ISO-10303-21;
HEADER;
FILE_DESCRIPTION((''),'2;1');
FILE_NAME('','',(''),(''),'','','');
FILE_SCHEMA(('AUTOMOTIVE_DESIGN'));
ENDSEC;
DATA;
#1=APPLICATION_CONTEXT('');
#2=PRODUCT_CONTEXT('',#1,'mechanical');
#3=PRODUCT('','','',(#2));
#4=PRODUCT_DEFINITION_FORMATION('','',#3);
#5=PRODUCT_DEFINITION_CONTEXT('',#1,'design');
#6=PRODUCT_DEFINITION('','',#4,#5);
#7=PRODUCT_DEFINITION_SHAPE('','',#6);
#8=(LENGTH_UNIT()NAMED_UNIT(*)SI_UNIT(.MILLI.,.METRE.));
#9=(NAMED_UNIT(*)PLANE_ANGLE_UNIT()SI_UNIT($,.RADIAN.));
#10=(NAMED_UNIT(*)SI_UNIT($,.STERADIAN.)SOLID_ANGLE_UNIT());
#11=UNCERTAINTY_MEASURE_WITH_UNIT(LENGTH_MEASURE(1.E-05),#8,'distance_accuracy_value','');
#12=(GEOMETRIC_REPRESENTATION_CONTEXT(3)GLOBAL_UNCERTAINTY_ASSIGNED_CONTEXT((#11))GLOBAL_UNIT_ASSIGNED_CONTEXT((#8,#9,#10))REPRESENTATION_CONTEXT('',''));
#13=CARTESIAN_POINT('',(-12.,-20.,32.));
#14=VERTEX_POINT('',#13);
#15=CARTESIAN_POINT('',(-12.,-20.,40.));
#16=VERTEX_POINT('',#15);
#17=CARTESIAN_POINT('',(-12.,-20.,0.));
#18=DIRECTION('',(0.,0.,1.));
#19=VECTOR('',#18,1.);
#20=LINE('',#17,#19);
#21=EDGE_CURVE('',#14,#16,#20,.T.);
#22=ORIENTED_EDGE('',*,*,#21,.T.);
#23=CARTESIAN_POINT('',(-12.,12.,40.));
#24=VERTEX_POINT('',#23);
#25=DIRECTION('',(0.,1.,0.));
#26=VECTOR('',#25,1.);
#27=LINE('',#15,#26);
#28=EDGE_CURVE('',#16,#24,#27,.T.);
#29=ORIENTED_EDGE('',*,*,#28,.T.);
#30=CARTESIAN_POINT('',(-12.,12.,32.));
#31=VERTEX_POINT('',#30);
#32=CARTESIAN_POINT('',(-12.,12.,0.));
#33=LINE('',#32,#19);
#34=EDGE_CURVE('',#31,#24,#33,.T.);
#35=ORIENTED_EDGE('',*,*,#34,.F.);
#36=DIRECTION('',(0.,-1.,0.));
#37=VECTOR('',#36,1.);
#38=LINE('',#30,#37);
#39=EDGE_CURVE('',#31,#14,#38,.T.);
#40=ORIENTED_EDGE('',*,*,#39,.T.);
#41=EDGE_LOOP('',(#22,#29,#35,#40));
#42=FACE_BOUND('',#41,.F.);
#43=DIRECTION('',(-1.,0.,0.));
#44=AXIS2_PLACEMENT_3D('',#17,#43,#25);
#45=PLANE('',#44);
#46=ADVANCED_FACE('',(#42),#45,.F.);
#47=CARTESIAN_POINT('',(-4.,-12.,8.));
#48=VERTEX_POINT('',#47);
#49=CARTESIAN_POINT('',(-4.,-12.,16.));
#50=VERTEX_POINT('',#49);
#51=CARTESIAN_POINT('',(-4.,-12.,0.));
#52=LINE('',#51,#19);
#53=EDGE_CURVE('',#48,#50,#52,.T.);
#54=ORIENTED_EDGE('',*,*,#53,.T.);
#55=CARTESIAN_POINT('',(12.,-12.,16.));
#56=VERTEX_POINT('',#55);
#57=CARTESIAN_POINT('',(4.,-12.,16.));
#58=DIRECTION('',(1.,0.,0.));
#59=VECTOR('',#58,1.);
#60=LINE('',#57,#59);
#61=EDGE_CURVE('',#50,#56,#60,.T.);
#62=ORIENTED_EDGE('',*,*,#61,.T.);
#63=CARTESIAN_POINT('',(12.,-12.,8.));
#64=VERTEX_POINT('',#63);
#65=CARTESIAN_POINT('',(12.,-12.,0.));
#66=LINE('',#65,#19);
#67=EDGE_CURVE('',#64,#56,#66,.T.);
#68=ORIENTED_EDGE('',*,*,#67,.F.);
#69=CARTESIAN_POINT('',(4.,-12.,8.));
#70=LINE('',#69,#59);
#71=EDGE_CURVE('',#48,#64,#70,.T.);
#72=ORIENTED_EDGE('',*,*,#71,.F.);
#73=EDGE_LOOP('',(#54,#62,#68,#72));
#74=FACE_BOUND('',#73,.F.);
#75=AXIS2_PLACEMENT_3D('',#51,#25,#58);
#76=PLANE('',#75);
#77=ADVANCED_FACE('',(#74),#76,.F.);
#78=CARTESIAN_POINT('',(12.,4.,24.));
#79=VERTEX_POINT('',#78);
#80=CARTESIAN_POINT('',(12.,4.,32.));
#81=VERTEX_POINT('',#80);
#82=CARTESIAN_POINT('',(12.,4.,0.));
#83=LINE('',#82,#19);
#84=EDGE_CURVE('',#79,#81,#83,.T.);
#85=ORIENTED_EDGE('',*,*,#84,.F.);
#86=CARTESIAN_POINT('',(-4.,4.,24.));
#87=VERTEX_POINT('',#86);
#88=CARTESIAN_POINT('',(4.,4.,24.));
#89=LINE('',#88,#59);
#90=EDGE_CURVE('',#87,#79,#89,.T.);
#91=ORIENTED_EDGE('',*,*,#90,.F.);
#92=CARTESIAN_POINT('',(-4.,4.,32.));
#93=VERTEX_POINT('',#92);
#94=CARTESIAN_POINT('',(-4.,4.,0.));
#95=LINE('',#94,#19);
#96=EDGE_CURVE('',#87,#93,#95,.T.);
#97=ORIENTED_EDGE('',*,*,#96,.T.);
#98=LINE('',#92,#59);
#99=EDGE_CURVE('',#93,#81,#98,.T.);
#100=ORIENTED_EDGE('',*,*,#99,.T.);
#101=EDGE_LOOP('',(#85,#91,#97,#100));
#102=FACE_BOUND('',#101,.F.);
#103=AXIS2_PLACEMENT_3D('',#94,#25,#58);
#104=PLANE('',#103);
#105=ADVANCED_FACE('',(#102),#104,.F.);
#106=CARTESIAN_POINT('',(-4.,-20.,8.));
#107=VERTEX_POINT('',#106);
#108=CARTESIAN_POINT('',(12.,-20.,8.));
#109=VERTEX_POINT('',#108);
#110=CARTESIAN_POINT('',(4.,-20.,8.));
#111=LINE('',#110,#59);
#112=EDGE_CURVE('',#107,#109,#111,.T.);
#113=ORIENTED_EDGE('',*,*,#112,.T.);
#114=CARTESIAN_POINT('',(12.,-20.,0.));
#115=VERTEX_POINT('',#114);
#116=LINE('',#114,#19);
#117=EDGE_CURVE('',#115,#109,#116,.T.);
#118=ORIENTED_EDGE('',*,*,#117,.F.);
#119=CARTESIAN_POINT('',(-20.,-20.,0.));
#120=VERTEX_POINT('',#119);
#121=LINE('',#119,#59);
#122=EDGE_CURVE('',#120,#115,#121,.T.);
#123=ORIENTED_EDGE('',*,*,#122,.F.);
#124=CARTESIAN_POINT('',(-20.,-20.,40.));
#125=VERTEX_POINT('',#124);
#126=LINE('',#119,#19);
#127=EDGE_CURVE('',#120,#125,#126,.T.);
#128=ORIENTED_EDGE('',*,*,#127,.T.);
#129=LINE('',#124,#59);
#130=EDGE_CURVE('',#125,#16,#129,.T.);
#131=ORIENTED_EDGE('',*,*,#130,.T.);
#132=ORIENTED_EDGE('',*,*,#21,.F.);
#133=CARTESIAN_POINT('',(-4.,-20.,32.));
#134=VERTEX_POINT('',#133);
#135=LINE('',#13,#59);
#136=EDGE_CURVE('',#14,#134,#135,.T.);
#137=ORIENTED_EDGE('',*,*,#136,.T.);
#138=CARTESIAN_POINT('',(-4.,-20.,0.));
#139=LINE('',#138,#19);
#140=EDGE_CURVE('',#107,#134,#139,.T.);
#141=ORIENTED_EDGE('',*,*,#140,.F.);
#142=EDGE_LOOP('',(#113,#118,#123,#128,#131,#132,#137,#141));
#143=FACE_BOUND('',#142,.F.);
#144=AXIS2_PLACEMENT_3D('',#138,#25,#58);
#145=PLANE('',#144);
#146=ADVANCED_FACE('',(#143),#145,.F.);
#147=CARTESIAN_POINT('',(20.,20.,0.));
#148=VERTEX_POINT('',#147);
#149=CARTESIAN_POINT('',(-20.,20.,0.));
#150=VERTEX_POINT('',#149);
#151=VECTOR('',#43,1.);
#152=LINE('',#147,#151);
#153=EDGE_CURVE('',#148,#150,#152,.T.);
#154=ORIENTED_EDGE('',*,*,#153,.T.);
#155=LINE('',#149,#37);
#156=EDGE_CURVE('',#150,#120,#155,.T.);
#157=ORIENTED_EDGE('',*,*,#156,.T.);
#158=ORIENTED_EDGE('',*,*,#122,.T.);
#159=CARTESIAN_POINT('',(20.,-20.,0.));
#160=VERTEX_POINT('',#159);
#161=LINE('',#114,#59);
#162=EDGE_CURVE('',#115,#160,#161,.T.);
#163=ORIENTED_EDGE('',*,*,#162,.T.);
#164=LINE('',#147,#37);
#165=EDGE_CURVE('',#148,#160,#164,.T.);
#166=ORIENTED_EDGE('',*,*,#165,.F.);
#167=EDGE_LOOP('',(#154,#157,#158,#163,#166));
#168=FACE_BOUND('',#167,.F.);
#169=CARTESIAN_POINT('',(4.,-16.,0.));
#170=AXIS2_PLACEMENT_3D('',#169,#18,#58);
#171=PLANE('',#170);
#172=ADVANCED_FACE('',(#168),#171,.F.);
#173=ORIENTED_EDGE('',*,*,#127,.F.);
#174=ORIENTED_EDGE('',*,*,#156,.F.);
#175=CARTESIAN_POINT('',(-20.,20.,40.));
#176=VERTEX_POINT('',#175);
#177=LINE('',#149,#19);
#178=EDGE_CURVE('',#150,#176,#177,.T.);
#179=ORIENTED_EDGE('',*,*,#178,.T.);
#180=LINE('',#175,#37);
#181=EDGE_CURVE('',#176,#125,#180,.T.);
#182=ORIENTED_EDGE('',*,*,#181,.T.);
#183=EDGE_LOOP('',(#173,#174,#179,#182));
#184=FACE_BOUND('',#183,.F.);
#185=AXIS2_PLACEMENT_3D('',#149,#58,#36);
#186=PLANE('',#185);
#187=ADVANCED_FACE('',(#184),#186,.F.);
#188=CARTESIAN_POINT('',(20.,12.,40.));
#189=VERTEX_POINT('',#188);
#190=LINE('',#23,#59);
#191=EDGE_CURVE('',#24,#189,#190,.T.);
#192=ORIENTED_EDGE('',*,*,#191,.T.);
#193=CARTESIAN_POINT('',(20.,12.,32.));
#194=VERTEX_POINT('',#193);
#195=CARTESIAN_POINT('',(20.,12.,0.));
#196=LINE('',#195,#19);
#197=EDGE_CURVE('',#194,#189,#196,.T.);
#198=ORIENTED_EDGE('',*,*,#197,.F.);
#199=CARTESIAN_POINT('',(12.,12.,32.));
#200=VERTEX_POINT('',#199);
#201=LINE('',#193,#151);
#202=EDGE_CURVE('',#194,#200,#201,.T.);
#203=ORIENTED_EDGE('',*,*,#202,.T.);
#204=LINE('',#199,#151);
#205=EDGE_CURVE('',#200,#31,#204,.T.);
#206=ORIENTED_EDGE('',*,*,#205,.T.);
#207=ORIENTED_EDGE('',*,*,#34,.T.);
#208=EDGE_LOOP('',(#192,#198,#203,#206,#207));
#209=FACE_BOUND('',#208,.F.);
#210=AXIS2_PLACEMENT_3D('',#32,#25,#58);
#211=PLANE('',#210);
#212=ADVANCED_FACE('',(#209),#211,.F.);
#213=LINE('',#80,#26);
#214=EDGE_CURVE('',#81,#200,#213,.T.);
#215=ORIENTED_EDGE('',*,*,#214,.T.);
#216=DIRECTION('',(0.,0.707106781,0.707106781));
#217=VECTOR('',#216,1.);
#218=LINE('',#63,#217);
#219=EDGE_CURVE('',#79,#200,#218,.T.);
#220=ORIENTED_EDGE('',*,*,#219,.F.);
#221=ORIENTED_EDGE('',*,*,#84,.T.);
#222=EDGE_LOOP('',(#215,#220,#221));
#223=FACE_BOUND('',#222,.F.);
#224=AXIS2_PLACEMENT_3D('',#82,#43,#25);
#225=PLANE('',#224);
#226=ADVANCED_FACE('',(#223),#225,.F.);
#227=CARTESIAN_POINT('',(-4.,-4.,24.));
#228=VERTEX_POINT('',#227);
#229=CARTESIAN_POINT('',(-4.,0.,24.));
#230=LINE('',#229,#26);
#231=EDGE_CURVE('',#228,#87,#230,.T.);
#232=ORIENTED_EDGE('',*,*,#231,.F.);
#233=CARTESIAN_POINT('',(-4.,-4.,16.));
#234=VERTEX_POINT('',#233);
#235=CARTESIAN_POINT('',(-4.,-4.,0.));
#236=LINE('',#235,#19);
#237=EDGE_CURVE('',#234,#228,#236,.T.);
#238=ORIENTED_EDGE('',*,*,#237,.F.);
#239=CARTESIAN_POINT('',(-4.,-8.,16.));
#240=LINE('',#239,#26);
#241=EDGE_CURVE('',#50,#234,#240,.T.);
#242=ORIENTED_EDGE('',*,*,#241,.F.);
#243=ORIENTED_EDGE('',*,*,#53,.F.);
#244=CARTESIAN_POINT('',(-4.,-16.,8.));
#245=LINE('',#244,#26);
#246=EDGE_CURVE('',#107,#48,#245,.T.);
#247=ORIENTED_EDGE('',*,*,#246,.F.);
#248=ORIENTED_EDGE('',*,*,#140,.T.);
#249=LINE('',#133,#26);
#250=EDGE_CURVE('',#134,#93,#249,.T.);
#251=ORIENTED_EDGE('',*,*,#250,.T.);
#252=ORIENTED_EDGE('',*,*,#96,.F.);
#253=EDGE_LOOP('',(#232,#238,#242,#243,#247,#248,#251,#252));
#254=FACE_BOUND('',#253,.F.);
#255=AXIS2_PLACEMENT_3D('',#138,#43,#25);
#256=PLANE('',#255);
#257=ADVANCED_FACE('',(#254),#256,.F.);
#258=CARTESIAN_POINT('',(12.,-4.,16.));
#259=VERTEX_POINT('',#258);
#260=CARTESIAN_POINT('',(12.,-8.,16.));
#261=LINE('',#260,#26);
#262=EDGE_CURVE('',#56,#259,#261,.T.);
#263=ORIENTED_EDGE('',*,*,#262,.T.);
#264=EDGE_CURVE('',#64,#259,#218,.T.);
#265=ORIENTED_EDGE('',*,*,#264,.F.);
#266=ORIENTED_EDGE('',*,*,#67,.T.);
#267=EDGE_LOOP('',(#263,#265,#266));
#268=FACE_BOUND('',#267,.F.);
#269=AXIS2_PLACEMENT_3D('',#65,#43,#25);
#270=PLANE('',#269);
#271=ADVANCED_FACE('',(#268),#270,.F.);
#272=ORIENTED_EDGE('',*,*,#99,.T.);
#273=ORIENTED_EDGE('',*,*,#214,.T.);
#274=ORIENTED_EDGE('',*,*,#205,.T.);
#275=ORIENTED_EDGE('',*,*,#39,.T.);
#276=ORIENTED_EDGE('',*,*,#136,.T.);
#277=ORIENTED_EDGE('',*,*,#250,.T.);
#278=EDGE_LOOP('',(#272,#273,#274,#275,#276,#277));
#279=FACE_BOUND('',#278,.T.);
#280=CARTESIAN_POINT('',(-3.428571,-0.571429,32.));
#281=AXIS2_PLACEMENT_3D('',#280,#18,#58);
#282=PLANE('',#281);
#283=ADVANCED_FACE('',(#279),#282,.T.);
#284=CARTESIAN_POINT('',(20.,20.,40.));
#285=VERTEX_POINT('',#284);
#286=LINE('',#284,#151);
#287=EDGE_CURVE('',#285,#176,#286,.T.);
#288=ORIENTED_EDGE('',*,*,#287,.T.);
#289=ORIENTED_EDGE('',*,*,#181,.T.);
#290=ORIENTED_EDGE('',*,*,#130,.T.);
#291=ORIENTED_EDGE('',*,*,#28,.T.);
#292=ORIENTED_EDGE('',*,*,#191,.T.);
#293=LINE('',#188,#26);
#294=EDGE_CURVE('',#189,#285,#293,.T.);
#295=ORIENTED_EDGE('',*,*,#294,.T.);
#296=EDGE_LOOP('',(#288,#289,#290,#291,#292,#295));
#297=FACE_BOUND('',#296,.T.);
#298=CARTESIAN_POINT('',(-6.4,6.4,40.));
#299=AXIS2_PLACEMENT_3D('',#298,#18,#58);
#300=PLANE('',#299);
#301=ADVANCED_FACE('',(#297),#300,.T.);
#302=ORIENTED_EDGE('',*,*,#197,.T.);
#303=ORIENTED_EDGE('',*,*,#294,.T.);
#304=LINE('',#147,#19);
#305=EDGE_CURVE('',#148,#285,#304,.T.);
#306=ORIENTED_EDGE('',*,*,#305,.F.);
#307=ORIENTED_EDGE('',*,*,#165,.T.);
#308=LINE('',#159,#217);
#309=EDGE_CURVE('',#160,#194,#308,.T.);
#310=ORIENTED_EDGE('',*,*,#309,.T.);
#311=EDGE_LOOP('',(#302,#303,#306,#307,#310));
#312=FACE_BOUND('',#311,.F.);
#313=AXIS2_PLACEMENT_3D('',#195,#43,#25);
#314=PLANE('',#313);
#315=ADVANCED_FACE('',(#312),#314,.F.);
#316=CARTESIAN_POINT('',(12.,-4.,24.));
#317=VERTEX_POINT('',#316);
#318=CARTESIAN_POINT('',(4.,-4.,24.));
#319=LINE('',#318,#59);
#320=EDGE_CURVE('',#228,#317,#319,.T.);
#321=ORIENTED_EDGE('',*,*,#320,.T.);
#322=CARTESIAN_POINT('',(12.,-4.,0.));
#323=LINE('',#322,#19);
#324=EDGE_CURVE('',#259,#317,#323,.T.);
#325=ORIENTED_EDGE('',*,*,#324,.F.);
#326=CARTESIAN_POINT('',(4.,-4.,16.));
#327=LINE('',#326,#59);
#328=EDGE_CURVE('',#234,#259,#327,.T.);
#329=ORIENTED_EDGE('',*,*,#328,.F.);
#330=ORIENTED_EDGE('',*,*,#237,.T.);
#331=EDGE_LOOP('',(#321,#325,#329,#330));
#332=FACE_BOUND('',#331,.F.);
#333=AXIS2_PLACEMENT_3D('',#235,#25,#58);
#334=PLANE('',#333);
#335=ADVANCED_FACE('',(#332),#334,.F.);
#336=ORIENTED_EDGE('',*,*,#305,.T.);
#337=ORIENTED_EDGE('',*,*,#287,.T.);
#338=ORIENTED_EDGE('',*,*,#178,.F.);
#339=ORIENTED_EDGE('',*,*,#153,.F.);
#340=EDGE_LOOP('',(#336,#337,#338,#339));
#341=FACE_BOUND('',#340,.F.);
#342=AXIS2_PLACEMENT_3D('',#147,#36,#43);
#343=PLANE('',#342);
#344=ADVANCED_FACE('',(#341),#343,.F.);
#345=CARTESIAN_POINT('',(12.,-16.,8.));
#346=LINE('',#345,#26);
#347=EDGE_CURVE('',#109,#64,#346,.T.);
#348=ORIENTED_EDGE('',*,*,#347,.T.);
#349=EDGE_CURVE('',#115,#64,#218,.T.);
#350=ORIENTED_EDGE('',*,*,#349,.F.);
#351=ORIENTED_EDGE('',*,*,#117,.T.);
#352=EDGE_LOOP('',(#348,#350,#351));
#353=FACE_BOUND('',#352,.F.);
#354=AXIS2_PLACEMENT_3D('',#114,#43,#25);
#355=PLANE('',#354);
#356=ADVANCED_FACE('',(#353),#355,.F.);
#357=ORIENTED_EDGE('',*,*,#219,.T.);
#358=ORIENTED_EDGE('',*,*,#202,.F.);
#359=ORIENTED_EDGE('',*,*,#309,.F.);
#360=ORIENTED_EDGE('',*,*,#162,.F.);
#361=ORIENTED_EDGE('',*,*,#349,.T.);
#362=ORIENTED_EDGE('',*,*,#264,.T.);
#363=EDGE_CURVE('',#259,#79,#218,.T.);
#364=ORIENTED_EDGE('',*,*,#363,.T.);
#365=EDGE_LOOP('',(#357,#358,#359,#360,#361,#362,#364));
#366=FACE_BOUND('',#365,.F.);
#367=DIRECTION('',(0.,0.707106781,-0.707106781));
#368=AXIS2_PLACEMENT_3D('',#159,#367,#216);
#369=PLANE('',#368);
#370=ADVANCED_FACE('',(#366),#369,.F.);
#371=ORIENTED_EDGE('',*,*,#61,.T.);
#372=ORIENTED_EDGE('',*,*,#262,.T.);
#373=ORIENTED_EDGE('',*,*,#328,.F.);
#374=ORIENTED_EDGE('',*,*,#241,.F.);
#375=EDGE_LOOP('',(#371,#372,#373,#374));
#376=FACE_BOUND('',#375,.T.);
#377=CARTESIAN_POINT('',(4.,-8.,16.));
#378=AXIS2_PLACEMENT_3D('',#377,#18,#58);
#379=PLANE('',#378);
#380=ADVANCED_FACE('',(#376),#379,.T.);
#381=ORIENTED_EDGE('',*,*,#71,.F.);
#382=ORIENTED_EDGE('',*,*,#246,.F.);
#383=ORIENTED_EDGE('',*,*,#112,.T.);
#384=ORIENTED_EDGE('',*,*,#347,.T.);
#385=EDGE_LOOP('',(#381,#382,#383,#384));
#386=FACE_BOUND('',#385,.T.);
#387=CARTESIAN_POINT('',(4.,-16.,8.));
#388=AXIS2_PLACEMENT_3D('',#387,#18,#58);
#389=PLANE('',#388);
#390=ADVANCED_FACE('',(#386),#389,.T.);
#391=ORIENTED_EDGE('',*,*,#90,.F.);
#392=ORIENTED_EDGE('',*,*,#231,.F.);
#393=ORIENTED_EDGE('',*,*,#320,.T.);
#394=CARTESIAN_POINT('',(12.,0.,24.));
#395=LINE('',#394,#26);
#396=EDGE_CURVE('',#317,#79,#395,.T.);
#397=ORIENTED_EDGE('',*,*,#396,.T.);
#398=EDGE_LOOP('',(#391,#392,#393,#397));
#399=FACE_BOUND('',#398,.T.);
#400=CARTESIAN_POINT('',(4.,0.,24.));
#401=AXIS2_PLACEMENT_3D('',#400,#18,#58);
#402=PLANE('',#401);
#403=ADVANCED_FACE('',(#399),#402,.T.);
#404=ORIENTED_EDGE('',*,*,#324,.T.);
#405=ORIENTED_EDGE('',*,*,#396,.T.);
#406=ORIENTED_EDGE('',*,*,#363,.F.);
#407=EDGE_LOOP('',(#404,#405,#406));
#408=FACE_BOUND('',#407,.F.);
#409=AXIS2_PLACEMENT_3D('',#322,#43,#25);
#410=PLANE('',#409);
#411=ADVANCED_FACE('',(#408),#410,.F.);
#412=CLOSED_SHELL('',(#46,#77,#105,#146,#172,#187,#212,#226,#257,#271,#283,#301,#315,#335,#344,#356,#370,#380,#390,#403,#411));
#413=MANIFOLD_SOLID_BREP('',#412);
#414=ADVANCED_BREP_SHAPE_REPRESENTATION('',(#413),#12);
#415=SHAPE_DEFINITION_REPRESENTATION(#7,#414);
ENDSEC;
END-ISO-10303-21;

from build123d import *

# Parameters (mm, degrees)
F1_DEPTH = 32
F3_DEPTH = 25
F4_DEPTH = 40
F5_DEPTH = 32
F0_W     = 16
F0_H     = 8
F6_DEPTH = 16
F7_DEPTH = 8
F8_DEPTH = 24


with BuildPart() as f1:
    # F0 (on Top) → F1 (new body)
    with BuildSketch(Plane.XY):
        Polygon((20, -20), (20, 12), (12, 12), (12, 4), (12, -4), (12, -12), (12, -20), align=None)
    extrude(amount=F1_DEPTH)

    # F2 (on face) → F3 (cut)
    with BuildSketch(Plane.YZ.offset(20)):
        Polygon((-20, 0), (12, 32), (-20, 32), align=None)
    extrude(amount=-F3_DEPTH, mode=Mode.SUBTRACT)

    # F0 (on Top) → F4 (join)
    with BuildSketch(Plane.XY):
        Polygon((-12, 20), (-20, 20), (-20, -20), (-12, -20), (-12, 12), (12, 12), (20, 12), (20, 20), align=None)
    extrude(amount=F4_DEPTH)

    # F0 (on Top) → F5 (join)
    with BuildSketch(Plane.XY):
        Polygon((-12, 12), (-12, -20), (-4, -20), (-4, -12), (-4, -4), (-4, 4), (12, 4), (12, 12), align=None)
    extrude(amount=F5_DEPTH)

    # F0 (on Top) → F6 (join)
    with BuildSketch(Plane.XY):
        with Locations((4, -8)):
            Rectangle(F0_W, F0_H)
    extrude(amount=F6_DEPTH)

    # F0 (on Top) → F7 (join)
    with BuildSketch(Plane.XY):
        with Locations((4, -16)):
            Rectangle(F0_W, F0_H)
    extrude(amount=F7_DEPTH)

    # F0 (on Top) → F8 (join)
    with BuildSketch(Plane.XY):
        with Locations((4, 0)):
            Rectangle(F0_W, F0_H)
    extrude(amount=F8_DEPTH)


solid = f1.part
